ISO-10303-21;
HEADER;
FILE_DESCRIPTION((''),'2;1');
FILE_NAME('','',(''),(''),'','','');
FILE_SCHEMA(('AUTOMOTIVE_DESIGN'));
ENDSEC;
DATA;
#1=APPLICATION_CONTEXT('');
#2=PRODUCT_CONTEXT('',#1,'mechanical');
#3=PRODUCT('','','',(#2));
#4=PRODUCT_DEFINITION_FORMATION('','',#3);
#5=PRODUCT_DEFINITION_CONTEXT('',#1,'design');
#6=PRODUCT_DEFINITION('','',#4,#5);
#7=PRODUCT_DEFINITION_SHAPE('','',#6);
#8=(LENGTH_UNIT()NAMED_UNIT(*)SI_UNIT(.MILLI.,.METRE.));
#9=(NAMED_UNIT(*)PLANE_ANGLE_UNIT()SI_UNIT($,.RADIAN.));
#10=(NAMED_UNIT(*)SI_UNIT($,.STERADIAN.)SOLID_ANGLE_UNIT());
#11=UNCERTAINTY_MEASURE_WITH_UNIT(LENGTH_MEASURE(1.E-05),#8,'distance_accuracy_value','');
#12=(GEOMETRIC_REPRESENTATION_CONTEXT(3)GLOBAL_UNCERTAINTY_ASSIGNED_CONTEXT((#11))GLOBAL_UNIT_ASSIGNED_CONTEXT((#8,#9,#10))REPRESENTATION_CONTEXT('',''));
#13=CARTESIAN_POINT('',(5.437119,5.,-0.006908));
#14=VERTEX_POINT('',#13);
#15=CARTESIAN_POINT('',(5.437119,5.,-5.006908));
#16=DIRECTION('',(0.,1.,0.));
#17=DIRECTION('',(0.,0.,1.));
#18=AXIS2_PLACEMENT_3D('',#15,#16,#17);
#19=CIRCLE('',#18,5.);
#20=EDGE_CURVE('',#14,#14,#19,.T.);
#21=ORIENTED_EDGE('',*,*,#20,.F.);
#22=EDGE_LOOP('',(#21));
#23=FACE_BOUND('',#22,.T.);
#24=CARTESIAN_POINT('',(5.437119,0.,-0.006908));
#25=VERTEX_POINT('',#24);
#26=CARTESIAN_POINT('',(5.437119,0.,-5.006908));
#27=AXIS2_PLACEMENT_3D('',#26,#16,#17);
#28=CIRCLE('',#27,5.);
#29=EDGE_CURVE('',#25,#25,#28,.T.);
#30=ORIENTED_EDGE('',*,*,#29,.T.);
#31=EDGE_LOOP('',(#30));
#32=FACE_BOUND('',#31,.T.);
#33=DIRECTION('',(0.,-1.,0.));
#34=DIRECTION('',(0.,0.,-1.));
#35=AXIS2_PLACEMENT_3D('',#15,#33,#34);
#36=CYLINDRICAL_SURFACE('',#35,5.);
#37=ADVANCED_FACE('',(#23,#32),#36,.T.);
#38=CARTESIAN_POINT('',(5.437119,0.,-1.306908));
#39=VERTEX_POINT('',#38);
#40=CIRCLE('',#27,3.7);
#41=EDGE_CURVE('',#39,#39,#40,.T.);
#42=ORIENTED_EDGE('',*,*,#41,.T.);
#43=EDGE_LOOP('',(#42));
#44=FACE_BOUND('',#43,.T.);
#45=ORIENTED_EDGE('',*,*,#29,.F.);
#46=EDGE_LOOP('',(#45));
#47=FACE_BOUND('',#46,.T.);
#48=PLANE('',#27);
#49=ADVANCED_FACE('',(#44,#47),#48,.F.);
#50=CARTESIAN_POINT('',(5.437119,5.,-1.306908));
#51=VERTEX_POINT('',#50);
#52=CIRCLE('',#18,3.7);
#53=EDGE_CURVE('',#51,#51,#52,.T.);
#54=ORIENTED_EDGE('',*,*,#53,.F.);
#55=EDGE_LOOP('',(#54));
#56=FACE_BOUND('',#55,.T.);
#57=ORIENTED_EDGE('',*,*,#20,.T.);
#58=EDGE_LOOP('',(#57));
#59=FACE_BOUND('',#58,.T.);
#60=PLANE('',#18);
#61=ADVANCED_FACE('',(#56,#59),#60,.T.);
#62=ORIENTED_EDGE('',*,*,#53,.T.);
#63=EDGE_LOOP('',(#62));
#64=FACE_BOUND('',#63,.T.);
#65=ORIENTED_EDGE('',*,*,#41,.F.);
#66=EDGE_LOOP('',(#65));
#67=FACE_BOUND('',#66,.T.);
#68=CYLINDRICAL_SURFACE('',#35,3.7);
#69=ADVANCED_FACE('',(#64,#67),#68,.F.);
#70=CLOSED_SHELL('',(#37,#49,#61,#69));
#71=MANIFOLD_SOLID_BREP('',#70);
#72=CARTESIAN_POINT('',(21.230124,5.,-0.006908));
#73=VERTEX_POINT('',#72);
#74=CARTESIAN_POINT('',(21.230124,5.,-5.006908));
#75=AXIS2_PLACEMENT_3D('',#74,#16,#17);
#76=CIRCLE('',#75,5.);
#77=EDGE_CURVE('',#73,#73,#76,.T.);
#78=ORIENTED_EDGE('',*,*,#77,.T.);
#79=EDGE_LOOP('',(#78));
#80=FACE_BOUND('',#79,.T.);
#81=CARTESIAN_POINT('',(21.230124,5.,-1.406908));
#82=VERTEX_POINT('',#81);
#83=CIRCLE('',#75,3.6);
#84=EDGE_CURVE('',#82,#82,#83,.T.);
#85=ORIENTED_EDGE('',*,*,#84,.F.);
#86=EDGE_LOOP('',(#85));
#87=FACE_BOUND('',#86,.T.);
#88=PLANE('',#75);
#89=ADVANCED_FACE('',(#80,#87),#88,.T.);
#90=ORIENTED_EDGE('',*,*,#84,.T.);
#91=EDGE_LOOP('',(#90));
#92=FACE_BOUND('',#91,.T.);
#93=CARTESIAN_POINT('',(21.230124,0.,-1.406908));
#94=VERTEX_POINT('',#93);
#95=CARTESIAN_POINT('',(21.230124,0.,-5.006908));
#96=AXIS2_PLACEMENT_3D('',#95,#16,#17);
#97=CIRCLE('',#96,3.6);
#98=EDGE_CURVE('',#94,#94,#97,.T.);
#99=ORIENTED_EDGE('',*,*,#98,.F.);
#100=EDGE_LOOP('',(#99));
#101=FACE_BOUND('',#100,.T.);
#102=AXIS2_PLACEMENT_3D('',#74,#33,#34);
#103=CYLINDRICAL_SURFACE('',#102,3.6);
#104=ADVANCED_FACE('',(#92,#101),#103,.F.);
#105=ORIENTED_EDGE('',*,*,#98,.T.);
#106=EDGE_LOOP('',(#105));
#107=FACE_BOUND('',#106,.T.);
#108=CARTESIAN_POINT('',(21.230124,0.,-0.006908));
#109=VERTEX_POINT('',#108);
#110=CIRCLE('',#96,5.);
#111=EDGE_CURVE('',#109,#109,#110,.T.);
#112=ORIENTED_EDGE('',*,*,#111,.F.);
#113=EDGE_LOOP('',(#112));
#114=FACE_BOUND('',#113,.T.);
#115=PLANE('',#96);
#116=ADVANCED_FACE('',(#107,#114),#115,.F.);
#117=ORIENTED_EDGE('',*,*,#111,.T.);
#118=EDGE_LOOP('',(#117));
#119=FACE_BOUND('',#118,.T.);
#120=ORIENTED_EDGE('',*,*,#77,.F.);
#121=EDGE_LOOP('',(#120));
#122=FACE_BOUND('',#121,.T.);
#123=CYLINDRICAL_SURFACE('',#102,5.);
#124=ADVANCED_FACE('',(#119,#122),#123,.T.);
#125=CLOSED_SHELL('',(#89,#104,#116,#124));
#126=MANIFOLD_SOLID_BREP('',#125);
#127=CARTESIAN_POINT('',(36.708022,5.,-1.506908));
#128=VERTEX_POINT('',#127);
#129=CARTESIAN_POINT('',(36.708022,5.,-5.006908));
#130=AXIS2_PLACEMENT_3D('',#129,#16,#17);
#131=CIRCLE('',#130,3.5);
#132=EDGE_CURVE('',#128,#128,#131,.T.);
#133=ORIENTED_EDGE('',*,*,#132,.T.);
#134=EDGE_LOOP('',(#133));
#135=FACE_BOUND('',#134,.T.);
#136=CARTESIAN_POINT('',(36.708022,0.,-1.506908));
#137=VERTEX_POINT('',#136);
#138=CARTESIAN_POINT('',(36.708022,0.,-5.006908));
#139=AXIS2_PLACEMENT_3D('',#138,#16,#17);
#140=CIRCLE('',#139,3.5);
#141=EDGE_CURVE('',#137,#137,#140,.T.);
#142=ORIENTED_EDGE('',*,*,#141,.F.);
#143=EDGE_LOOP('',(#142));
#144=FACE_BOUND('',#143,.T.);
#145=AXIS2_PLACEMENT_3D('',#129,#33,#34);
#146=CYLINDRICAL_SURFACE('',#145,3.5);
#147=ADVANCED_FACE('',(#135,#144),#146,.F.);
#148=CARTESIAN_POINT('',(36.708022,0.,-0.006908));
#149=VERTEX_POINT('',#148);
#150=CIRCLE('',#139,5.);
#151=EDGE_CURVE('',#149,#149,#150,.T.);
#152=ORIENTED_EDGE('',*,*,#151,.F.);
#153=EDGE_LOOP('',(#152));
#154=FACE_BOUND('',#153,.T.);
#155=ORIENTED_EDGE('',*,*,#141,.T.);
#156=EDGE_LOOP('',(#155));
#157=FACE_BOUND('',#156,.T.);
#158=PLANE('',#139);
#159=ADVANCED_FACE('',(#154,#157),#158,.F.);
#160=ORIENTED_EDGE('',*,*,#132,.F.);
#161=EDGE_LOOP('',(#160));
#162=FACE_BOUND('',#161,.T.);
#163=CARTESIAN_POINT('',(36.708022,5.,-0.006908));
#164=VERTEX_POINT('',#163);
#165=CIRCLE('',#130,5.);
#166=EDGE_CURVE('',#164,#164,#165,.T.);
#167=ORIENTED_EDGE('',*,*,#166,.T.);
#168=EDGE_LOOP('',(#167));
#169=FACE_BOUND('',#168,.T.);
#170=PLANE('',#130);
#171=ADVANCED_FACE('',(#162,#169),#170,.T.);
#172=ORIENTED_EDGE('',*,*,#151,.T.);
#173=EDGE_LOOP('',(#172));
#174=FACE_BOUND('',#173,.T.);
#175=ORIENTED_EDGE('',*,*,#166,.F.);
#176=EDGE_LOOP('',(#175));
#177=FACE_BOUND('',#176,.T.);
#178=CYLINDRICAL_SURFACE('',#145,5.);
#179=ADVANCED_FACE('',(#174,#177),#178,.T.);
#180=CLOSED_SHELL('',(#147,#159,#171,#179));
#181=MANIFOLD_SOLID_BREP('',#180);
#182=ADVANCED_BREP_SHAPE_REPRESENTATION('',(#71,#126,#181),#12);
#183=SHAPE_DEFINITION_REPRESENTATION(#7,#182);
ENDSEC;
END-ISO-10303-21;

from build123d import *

# Parameters (mm, degrees)
SKETCH_1_R        = 5
SKETCH_1_R_2      = 3.7
EXTRUDE_1_DEPTH   = 5
SKETCH_1_R_3      = 3.6
EXTRUDE_1_2_DEPTH = 5
SKETCH_1_R_4      = 3.5
EXTRUDE_1_3_DEPTH = 5


with BuildPart() as part:
    # 草图1 → 凸台-拉伸1 (new body)
    with BuildSketch(Plane(origin=(0, 0, 0), x_dir=(1, 0, 0), z_dir=(0, 1, 0))):
        with Locations((5.437119386, 5.006908435)):
            Circle(SKETCH_1_R)
        with Locations((5.437119386, 5.006908435)):
            Circle(SKETCH_1_R_2, mode=Mode.SUBTRACT)
    extrude(amount=EXTRUDE_1_DEPTH)


with BuildPart() as body_2:
    # 草图1 → Extrude 1 2 (new body)
    with BuildSketch(Plane(origin=(0, 0, 0), x_dir=(1, 0, 0), z_dir=(0, 1, 0))):
        with Locations((21.230124471, 5.006908435)):
            Circle(SKETCH_1_R)
        with Locations((21.230124471, 5.006908435)):
            Circle(SKETCH_1_R_3, mode=Mode.SUBTRACT)
    extrude(amount=EXTRUDE_1_2_DEPTH)


with BuildPart() as body_3:
    # 草图1 → Extrude 1 3 (new body)
    with BuildSketch(Plane(origin=(0, 0, 0), x_dir=(1, 0, 0), z_dir=(0, 1, 0))):
        with Locations((36.708022169, 5.006908435)):
            Circle(SKETCH_1_R)
        with Locations((36.708022169, 5.006908435)):
            Circle(SKETCH_1_R_4, mode=Mode.SUBTRACT)
    extrude(amount=EXTRUDE_1_3_DEPTH)


solid = Compound([part.part, body_2.part, body_3.part])
